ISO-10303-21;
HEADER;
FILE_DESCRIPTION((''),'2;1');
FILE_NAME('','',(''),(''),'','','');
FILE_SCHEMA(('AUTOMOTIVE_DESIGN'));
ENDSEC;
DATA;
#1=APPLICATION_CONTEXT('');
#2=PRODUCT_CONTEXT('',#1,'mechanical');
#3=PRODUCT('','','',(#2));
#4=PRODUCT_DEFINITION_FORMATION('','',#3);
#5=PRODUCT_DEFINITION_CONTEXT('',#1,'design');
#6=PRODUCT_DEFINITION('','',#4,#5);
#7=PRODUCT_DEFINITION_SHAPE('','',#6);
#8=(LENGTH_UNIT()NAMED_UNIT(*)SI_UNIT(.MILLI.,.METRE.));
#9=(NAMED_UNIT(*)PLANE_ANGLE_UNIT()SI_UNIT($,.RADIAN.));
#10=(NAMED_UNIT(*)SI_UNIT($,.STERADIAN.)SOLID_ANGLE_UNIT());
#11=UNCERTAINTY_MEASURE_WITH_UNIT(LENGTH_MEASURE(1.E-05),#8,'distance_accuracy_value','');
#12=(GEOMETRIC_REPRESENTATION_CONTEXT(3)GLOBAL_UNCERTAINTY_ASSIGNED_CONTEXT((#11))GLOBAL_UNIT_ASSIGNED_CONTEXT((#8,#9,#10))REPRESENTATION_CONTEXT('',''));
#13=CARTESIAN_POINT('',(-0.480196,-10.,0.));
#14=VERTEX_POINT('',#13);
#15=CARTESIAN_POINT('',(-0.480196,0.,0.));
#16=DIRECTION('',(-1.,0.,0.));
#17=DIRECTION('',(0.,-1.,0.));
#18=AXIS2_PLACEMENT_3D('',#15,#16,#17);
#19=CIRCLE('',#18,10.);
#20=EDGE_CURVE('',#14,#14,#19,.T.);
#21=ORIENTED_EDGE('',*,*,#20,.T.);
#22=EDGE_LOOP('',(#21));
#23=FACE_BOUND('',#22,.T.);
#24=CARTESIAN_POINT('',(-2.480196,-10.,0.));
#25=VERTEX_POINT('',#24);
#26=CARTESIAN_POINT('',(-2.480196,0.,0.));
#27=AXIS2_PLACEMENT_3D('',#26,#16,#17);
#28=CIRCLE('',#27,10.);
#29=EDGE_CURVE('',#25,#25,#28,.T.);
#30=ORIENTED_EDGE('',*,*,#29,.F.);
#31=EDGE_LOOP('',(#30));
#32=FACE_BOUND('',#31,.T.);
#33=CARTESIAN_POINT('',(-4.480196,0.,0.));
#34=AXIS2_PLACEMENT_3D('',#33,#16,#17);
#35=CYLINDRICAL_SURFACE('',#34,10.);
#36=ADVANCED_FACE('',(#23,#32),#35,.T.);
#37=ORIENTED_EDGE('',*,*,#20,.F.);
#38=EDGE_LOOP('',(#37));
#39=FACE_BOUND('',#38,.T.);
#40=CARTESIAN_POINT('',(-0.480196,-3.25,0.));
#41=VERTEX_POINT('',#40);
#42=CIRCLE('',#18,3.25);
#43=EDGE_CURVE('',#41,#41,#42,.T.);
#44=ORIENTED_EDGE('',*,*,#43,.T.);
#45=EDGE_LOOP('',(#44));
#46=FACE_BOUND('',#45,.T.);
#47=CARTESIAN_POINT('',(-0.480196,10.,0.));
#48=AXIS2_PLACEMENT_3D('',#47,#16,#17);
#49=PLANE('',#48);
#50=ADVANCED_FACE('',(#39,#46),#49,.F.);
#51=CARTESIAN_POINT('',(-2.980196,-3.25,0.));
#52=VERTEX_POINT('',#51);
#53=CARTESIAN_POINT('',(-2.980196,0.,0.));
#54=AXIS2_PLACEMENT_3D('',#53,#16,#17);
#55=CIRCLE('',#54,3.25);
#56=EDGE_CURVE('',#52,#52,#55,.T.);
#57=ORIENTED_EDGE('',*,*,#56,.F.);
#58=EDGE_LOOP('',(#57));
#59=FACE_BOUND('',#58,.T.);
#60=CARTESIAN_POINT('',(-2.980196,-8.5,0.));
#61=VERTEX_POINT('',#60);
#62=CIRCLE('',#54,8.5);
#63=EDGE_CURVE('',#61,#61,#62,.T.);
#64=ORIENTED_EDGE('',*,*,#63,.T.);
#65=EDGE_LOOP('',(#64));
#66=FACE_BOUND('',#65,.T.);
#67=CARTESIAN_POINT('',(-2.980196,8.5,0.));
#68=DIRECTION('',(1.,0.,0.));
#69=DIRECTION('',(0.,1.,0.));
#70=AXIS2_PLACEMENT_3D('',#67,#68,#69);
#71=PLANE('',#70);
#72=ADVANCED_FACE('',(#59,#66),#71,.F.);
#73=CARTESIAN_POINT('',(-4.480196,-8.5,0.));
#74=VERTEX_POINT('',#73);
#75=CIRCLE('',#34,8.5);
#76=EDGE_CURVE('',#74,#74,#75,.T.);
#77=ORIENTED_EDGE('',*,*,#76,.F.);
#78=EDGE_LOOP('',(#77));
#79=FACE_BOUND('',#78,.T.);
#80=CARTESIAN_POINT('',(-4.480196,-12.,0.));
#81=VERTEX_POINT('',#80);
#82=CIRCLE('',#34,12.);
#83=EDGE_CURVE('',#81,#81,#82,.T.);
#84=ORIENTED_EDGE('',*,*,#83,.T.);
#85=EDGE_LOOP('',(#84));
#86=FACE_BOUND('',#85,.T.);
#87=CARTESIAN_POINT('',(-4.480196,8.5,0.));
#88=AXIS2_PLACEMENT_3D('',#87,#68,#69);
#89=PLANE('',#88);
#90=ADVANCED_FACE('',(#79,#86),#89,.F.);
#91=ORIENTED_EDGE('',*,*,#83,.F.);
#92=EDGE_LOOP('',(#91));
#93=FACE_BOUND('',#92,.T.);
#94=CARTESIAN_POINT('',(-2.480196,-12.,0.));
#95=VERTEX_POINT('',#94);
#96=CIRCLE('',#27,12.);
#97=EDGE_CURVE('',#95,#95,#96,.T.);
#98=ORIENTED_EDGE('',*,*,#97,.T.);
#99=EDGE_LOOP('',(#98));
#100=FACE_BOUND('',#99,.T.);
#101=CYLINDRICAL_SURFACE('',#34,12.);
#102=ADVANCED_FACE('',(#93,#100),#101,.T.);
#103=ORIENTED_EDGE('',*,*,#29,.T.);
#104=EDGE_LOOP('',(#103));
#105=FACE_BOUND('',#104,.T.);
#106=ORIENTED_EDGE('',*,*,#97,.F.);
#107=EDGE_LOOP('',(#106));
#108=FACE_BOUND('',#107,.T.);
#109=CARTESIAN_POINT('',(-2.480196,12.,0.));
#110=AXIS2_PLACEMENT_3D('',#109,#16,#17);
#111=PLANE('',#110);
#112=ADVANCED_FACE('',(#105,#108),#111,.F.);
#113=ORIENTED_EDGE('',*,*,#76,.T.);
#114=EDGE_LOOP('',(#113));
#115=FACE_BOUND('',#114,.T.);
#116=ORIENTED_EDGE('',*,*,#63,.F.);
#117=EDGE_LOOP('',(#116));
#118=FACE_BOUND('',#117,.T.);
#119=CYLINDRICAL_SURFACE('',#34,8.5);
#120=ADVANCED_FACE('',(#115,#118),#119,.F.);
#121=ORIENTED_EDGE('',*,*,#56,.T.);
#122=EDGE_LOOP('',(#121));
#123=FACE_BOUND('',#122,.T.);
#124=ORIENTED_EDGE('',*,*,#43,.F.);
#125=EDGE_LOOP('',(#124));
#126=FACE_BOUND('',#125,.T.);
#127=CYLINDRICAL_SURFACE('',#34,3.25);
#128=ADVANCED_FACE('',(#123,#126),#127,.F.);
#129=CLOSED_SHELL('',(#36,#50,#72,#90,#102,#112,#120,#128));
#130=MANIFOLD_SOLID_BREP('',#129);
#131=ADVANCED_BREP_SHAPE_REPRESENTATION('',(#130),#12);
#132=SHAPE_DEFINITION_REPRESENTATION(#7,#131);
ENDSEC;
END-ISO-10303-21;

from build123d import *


with BuildPart() as part:
    # Эскиз1 → Повернуть1 (revolve)
    with BuildSketch(Plane.XY):
        Polygon((-4.480196097, 8.5), (-4.480196097, 12), (-2.480196097, 12), (-2.480196097, 10), (-0.480196097, 10), (-0.480196097, 3.25), (-2.980196097, 3.25), (-2.980196097, 8.5), align=None)
    revolve(axis=Axis((-4.480196097, 0, 0), (1, 0, 0)))


solid = part.part
